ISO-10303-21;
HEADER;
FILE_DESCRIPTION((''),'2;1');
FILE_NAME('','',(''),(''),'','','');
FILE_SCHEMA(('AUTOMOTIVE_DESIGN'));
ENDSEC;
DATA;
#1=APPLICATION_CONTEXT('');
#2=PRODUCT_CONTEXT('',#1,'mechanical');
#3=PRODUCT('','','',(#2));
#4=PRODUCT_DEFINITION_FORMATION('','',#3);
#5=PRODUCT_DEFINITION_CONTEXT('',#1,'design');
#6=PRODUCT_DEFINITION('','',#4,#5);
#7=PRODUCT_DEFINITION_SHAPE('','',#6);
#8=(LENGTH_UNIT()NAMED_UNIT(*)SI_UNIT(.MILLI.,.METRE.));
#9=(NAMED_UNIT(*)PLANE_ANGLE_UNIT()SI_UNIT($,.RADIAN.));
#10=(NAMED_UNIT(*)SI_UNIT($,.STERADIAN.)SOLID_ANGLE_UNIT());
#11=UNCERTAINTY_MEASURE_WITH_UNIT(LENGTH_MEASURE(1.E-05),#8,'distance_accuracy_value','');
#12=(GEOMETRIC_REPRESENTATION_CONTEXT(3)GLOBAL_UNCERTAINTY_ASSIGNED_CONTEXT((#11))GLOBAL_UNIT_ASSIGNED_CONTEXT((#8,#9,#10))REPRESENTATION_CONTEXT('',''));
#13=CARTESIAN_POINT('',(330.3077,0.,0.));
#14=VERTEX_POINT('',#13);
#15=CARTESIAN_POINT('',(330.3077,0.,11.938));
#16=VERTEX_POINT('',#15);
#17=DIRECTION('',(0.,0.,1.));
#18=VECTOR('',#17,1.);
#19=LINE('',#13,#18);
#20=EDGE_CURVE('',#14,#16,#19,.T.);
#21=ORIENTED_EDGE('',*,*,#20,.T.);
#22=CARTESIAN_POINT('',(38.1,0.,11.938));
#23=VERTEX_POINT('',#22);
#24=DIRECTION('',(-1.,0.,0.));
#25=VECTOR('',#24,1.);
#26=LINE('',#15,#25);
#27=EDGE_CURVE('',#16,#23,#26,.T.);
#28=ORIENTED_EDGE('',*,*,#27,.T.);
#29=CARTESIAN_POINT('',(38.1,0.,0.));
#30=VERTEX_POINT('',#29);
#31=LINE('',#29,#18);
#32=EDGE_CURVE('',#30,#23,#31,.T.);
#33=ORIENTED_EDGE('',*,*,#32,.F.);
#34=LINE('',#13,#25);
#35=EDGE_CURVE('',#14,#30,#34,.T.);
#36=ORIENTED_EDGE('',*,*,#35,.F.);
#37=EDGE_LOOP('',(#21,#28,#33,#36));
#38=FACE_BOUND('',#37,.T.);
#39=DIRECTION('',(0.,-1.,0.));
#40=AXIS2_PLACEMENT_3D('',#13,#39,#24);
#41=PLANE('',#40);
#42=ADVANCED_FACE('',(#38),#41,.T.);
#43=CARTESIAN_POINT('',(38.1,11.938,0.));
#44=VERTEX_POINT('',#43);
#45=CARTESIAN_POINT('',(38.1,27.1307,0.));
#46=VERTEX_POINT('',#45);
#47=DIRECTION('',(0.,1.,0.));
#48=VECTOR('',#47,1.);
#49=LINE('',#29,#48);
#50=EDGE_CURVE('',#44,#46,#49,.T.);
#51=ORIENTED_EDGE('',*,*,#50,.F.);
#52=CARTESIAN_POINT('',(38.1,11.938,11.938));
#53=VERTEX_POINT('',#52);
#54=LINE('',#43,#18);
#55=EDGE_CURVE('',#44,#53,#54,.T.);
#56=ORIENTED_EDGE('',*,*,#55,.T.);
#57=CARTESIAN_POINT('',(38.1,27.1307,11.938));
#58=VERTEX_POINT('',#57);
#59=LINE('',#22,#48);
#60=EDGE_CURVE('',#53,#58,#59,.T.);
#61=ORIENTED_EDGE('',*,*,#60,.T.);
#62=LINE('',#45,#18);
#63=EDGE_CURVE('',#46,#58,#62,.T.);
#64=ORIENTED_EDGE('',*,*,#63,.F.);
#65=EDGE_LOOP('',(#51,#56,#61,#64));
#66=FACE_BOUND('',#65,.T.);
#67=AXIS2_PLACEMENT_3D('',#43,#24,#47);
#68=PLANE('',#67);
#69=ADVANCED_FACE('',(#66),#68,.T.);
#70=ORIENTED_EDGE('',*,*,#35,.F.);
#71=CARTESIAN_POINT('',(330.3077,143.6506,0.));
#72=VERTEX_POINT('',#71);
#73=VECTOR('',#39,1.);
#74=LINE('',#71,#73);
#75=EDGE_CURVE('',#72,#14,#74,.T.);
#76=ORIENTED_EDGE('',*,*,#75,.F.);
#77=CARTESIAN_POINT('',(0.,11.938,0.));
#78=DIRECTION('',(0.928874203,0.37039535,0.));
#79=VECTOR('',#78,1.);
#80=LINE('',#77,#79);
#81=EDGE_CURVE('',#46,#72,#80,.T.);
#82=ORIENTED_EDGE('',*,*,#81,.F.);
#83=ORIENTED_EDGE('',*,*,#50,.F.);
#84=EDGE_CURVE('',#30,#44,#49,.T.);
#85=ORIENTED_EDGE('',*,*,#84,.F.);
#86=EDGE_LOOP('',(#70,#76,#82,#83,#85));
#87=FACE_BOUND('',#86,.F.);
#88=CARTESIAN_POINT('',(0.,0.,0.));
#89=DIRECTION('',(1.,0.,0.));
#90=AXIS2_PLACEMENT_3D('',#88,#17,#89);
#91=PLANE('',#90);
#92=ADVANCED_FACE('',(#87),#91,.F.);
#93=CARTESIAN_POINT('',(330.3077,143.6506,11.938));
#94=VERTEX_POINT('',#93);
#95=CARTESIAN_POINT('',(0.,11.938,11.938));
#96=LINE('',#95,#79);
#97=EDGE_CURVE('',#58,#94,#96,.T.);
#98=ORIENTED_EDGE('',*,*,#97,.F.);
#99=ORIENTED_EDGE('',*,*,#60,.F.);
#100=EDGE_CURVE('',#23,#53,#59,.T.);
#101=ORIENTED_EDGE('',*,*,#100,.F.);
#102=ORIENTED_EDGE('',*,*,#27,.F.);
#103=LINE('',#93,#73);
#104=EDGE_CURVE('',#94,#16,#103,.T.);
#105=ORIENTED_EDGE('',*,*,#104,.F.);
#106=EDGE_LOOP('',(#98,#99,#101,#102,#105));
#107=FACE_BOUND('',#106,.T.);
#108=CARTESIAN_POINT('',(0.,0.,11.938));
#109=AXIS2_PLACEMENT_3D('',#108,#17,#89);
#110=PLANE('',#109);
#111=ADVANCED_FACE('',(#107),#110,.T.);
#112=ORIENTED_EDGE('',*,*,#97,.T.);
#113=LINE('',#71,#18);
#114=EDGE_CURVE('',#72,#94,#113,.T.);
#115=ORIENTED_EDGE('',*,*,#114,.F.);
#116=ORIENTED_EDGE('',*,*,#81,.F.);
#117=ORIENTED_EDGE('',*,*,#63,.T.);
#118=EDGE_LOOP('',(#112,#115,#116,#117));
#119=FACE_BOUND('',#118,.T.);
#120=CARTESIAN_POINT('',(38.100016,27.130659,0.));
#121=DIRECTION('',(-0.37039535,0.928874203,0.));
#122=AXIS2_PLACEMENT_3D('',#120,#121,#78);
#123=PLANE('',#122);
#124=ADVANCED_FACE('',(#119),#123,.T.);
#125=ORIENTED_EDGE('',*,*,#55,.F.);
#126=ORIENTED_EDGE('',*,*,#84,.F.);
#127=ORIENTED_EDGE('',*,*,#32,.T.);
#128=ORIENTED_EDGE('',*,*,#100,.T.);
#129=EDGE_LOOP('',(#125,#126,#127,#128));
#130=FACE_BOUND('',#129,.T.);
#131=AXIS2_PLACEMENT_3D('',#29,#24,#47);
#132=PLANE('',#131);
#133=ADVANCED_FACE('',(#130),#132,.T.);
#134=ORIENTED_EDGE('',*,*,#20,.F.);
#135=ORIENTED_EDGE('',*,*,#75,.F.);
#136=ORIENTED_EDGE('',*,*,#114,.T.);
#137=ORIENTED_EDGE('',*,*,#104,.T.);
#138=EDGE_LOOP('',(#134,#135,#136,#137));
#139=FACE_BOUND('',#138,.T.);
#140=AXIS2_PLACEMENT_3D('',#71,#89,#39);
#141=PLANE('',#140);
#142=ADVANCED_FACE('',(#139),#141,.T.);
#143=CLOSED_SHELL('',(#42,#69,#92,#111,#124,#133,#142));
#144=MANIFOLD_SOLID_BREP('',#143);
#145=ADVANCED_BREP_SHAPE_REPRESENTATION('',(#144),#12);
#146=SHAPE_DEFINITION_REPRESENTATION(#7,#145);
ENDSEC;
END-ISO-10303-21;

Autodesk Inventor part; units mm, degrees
ref_plane "YZ Plane" through (0, 0, 0) normal (1, 0, 0) x (0, 1, 0)
ref_plane "XZ Plane" through (0, 0, 0) normal (0, 1, 0) x (-1, 0, 0)
ref_plane "XY Plane" through (0, 0, 0) normal (0, 0, 1) x (1, 0, 0)
sketch "Sketch2" plane through (0, 0, 0) normal (0, 0, 1) x (1, 0, 0)
  line L0 (0, 0) -> (38.1, 0)
  line L1 (38.1, 0) -> (38.1, 11.938) construction
  line L2 (38.1, 11.938) -> (0, 11.938)
  line L3 (0, 11.938) -> (0, 0)
  line L4 (0, 11.938) -> (330.3077, 143.6506)
  line L5 (0, 11.938) -> (355.6, 11.938) construction
  line L6 (38.1, 0) -> (38.1, 27.1307)
  line L7 (330.3077, 143.6506) -> (330.3077, 0)
  line L8 (330.3077, 0) -> (38.1, 0)
  dimension "d5" = 11.938
  dimension "d6" = 38.1
  dimension "d7" = 355.6
  dimension "d8" = 21.74
extrude "Extrusion1" add sketch "Sketch2" along normal blind 11.938 contours L6 L4 L7 L8
properties part number "Inlet Support Leg Proto 1" material "Wood (Oak)"
